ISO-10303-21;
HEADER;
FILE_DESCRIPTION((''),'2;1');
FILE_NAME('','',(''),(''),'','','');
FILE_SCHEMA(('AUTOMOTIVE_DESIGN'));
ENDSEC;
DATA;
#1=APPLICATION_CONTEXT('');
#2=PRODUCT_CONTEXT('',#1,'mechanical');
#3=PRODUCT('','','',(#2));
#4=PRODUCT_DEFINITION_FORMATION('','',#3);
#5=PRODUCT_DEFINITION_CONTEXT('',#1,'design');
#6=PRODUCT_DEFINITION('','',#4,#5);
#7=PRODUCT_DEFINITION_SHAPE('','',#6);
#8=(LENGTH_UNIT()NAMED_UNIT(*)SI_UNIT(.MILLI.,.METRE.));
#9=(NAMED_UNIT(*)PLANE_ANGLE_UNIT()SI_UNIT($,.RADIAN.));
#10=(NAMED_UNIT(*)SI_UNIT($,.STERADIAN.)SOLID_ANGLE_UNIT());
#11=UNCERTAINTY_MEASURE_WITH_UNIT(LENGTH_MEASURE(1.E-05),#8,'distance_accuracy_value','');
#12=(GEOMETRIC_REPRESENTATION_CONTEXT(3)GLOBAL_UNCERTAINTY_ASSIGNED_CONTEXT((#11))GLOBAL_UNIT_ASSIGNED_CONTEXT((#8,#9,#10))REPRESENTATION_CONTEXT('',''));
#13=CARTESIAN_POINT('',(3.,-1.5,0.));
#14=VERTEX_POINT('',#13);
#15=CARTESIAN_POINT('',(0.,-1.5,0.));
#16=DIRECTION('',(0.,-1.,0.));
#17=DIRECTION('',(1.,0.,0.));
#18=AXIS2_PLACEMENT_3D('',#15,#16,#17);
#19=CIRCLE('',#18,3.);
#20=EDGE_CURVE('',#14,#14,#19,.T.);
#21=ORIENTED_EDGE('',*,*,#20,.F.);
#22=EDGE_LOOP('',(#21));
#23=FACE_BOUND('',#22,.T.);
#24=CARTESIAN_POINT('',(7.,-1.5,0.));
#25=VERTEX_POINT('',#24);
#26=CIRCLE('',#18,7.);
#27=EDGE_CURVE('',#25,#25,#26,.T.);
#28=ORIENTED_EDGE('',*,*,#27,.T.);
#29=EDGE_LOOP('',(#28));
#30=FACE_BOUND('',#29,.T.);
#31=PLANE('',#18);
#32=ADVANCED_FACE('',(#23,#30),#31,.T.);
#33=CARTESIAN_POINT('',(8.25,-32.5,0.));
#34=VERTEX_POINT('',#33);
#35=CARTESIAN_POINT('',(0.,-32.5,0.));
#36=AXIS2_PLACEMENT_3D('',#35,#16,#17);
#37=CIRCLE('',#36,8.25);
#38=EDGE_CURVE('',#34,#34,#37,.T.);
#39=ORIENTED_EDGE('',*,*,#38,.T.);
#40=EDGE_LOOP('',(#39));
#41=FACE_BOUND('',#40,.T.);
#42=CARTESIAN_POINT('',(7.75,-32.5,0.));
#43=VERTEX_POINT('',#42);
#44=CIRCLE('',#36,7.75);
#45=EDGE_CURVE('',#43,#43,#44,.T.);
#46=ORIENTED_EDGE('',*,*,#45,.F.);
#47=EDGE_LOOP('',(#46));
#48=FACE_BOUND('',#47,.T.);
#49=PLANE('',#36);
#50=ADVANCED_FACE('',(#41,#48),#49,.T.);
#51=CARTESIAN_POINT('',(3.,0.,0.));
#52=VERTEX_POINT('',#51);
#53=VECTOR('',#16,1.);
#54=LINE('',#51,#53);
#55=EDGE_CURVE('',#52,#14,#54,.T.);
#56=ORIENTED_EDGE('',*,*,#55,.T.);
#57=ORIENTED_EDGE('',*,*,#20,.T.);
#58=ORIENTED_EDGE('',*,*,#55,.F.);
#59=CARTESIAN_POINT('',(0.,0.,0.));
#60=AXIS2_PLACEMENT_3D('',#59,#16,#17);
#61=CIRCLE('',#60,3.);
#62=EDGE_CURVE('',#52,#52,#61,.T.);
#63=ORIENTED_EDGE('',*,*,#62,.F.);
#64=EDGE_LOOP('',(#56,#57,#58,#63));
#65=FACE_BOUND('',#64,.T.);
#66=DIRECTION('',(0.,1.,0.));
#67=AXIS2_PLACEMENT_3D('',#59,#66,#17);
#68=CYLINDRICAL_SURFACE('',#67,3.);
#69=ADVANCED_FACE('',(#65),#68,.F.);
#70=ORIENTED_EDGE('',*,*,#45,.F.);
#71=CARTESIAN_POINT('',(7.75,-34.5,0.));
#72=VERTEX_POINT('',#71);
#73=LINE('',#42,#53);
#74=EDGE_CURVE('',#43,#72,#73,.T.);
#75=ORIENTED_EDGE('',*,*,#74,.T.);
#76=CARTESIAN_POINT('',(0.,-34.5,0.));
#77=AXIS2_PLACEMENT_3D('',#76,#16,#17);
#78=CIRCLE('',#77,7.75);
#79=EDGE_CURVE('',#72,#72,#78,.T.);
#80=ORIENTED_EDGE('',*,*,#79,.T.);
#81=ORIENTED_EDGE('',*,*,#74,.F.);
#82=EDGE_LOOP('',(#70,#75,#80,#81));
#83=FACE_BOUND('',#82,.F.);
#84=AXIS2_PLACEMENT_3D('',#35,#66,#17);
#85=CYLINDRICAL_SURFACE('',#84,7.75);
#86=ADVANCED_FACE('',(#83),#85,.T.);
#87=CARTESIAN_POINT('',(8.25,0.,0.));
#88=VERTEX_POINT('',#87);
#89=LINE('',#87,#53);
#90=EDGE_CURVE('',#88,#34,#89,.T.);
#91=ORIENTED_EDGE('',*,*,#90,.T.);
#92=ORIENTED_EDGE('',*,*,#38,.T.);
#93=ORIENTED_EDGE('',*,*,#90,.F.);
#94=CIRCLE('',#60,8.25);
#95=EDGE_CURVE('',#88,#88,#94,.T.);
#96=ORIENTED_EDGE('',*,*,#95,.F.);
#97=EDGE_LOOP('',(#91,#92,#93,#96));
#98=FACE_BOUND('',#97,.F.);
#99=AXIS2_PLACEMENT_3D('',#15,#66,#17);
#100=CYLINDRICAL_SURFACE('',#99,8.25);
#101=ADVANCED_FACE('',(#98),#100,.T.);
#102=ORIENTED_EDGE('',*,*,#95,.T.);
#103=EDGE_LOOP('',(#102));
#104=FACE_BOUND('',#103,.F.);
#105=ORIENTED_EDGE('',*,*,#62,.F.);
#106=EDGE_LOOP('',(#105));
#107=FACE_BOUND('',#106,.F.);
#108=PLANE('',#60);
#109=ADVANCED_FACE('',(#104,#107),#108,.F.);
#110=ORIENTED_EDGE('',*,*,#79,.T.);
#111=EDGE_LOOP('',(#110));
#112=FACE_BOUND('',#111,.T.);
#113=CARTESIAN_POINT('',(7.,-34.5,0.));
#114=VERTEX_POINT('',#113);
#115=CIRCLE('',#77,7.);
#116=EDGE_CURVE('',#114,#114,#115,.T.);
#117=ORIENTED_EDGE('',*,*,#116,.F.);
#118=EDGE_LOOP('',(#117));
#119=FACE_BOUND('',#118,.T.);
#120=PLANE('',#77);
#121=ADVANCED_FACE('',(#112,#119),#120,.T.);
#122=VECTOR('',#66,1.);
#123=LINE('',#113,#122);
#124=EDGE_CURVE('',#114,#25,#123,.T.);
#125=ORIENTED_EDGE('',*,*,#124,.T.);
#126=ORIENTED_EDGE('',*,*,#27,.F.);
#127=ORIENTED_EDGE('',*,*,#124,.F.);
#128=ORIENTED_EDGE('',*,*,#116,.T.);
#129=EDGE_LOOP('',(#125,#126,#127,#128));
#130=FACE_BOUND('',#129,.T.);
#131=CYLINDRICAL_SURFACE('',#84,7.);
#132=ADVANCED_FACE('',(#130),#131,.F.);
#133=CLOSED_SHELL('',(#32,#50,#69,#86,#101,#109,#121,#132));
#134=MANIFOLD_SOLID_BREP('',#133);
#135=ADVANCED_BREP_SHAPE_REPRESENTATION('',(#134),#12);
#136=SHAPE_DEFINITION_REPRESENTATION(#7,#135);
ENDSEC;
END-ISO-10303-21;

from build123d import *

# Parameters (mm, degrees)
F0_R     = 8.25
F0_R_2   = 3
F1_DEPTH = 1.5
F2_R     = 8.25
F2_R_2   = 7
F3_DEPTH = 31
F4_R     = 7.75
F4_R_2   = 7
F5_DEPTH = 2
F7_ANGLE = 90


with BuildPart() as f1:
    # F0 (on Top) → F1 (new body)
    with BuildSketch(Plane.XY):
        Circle(F0_R)
        Circle(F0_R_2, mode=Mode.SUBTRACT)
    extrude(amount=F1_DEPTH)

    # F2 (on face) → F3 (join)
    with BuildSketch(Plane.XY.offset(1.5)):
        Circle(F2_R)
        Circle(F2_R_2, mode=Mode.SUBTRACT)
    extrude(amount=F3_DEPTH)

    # F4 (on face) → F5 (join)
    with BuildSketch(Plane.XY.offset(32.5)):
        Circle(F4_R)
        Circle(F4_R_2, mode=Mode.SUBTRACT)
    extrude(amount=F5_DEPTH)


with BuildPart() as f1_1:
    # F7: moved
    add(f1.part.rotate(Axis((6.326988, 0, 0), (1, 0, 0)), F7_ANGLE))


solid = f1_1.part
